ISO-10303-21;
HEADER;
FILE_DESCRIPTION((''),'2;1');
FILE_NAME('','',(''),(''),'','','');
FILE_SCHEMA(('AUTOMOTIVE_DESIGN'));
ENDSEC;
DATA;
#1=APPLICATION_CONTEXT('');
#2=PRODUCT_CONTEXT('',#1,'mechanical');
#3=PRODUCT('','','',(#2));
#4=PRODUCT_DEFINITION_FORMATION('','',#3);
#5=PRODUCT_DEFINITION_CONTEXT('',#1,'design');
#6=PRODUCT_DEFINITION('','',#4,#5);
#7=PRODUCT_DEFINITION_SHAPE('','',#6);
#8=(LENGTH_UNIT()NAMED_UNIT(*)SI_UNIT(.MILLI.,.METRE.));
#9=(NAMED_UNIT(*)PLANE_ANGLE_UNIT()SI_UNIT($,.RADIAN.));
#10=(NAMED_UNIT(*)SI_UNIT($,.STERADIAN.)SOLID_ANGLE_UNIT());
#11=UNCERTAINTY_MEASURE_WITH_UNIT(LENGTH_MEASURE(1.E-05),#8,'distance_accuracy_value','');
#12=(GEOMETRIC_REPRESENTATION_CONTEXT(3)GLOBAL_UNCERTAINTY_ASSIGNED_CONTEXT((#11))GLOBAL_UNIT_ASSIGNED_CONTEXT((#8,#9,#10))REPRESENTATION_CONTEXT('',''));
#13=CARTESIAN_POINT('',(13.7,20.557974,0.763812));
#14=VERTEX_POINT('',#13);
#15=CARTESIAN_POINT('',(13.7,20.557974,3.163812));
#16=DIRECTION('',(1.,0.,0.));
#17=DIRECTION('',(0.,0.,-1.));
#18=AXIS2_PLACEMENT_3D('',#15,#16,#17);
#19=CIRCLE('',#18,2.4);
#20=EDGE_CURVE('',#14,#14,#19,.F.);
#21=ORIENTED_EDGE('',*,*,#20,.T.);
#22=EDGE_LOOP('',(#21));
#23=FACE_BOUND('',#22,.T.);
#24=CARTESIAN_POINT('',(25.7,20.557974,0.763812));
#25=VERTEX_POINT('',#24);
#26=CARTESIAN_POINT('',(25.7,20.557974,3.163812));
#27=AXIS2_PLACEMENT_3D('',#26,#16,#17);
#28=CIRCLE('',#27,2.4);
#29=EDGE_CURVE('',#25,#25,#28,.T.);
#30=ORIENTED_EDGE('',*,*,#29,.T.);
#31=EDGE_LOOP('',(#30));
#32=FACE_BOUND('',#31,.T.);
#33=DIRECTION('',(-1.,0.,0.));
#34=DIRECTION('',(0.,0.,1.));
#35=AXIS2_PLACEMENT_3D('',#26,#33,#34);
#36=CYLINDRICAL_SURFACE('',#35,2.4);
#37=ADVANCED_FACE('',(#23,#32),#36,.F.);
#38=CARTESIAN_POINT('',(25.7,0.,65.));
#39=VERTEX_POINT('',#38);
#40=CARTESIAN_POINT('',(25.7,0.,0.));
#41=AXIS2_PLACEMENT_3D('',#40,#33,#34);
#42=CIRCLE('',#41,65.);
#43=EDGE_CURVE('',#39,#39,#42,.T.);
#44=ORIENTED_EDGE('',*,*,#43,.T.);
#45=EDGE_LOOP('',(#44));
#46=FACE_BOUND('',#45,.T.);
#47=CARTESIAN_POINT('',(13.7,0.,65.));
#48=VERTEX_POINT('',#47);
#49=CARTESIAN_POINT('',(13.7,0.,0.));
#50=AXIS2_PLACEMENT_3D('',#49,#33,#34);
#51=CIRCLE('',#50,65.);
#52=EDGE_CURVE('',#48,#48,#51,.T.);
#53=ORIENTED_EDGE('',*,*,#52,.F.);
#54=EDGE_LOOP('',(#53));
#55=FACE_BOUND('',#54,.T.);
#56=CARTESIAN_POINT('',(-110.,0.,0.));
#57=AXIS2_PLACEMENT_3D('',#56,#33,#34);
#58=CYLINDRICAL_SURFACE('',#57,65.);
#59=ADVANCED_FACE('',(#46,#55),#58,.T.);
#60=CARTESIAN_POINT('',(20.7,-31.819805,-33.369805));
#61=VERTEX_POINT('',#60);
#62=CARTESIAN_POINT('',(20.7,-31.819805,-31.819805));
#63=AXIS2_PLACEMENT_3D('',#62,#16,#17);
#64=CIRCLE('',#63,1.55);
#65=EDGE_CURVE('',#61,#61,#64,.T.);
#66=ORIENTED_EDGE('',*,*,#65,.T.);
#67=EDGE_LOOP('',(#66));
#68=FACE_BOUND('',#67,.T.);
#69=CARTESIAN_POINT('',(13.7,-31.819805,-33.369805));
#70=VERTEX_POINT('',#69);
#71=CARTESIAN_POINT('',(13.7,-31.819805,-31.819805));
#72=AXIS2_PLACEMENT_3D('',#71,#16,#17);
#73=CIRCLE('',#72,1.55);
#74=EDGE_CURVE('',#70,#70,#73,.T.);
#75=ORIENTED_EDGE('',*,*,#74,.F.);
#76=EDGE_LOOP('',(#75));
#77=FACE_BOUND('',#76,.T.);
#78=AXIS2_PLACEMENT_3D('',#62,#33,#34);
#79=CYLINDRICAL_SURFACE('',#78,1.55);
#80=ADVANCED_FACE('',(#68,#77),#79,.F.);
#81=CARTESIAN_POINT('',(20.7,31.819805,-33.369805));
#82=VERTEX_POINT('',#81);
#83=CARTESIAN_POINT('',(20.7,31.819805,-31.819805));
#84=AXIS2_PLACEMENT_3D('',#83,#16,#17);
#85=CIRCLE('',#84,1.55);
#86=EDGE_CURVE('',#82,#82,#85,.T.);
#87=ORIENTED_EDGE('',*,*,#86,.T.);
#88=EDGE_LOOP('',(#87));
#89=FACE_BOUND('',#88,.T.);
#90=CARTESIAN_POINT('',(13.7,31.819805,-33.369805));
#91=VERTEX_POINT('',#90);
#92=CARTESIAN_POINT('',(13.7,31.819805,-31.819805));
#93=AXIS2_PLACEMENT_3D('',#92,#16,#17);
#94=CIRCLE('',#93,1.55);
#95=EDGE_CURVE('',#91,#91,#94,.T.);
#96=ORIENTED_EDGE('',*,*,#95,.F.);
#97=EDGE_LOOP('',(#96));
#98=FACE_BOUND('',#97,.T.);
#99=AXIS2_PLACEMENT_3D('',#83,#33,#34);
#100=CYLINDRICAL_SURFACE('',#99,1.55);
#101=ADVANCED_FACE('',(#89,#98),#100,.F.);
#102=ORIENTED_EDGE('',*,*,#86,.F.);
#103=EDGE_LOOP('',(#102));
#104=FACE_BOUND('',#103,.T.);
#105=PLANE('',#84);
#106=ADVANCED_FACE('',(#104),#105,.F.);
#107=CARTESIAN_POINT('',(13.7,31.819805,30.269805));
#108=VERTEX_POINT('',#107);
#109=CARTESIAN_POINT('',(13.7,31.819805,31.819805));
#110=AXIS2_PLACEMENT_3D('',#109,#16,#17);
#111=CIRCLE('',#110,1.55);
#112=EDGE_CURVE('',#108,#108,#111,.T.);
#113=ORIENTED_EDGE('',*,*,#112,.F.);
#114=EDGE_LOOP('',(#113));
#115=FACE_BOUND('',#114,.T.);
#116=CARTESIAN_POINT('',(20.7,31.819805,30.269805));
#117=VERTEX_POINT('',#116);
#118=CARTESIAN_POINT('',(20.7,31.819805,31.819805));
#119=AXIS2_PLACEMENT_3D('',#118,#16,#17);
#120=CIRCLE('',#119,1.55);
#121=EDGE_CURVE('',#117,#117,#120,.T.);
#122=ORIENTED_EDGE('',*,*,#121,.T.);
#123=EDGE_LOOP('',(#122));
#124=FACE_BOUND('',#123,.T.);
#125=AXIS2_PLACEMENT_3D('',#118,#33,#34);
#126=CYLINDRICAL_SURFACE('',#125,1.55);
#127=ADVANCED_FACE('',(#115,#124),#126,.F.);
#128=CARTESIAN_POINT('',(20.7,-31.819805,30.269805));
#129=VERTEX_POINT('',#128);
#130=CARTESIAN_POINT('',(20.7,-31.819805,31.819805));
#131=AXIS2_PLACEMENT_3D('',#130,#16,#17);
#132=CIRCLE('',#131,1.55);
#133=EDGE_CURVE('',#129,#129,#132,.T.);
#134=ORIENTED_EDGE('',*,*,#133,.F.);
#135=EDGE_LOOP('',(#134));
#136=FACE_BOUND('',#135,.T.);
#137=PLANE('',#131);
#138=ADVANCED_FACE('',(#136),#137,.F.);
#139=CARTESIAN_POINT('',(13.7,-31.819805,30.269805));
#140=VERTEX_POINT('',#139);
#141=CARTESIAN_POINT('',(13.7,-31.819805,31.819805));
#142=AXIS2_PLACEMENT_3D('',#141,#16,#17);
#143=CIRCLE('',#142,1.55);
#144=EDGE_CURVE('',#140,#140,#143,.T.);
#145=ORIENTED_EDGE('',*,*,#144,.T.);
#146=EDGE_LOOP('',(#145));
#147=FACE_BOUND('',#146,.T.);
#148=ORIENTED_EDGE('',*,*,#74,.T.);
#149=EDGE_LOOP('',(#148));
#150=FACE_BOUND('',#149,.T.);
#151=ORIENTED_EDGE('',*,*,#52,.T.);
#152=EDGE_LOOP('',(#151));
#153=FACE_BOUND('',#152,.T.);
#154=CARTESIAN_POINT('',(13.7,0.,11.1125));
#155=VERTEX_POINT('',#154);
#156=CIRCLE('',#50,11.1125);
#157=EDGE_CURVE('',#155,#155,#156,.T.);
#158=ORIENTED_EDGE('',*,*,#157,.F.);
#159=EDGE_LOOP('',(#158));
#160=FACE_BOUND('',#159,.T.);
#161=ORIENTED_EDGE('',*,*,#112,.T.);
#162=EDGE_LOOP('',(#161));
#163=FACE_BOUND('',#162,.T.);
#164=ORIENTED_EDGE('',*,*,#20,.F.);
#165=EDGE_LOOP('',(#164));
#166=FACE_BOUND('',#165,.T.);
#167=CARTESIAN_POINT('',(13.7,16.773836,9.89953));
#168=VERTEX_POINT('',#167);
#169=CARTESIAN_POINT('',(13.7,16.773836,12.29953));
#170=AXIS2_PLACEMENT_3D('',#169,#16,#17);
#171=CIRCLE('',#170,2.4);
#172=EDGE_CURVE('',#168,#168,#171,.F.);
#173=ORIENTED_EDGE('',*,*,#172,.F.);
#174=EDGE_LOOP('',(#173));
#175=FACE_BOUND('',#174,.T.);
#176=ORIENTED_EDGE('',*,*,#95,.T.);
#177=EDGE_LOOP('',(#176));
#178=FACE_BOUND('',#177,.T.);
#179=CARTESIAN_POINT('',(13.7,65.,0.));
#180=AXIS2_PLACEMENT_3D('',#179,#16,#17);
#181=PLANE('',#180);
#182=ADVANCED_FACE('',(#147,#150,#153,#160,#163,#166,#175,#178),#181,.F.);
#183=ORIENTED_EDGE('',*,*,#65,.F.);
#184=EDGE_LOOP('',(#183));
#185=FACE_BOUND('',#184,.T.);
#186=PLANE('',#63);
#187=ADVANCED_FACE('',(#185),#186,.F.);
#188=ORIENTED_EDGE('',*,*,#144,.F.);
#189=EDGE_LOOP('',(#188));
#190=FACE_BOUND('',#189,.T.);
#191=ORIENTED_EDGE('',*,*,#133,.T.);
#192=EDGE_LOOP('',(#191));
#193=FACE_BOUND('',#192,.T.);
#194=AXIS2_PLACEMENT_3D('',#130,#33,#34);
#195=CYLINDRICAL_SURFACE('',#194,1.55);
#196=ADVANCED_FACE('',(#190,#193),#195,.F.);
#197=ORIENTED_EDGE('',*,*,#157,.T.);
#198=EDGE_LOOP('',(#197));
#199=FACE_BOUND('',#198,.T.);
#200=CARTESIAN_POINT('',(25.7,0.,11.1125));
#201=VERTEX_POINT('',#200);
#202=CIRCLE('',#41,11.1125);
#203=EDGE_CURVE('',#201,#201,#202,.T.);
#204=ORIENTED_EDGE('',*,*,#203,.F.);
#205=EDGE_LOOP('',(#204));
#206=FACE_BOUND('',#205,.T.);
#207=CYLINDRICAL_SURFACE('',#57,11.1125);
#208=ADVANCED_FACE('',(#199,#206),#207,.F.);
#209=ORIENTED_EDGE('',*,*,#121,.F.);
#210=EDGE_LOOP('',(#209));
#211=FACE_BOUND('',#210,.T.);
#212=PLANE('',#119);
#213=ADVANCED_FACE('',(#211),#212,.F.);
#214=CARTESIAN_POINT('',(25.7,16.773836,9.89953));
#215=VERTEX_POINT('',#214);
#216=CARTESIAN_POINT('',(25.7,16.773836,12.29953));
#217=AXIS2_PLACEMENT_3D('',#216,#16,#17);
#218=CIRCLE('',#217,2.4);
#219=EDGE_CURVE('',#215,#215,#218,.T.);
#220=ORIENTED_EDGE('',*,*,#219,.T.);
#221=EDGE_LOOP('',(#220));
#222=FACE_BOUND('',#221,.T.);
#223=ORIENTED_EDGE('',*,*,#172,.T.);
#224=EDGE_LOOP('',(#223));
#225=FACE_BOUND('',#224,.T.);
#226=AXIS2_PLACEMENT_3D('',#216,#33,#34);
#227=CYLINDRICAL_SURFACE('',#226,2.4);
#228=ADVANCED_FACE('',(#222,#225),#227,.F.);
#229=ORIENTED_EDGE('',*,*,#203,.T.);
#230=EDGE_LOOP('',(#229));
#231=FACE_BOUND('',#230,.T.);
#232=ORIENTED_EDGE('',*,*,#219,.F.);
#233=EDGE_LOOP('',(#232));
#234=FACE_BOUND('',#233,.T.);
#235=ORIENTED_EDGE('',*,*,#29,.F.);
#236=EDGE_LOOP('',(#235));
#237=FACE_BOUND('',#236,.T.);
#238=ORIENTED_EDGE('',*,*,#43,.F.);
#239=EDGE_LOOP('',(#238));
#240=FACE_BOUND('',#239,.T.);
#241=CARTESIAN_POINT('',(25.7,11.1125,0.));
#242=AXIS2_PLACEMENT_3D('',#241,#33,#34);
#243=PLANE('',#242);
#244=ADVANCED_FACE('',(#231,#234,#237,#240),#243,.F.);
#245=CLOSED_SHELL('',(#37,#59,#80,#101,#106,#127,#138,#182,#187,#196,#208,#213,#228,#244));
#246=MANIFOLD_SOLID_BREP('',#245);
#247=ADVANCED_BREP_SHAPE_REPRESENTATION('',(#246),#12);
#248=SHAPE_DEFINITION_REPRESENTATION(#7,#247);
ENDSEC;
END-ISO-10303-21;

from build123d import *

# Parameters (mm, degrees)
AXIAL_PROFILE_MM_W     = 12
AXIAL_PROFILE_MM_H     = 53.8875
AXIAL_HOLES_DEPTH      = 96.448886845
AXIAL_HOLES_DEPTH_BACK = 96.448886845
SKETCH2_R              = 2.4
CUT_EXTRUDE2_START     = 13.7
SKETCH3_R              = 1.55
CUT_EXTRUDE2_DEPTH     = 7


with BuildPart() as part:
    # Axial profile (mm) → Full revolution (revolve)
    with BuildSketch(Plane.XY, mode=Mode.PRIVATE) as full_revolution_sk:
        with Locations((19.7, 38.05625)):
            Rectangle(AXIAL_PROFILE_MM_W, AXIAL_PROFILE_MM_H)
    revolve(full_revolution_sk.sketch.rotate(Axis((-110, 0, 0), (1, 0, 0)), 90), axis=Axis((-110, 0, 0), (1, 0, 0)))

    # Sketch2 → Axial holes (cut, two sides: drawn at the far end of the back side and taken through both)
    with BuildSketch(Plane(origin=(0, 0, 0), x_dir=(0, 0, -1), z_dir=(1, 0, 0)).offset(-AXIAL_HOLES_DEPTH_BACK)):
        with Locations((-3.163812264, 20.557973926)):
            Circle(SKETCH2_R)
        with Locations((-12.299529665, 16.773835877)):
            Circle(SKETCH2_R)
    extrude(amount=AXIAL_HOLES_DEPTH + AXIAL_HOLES_DEPTH_BACK, mode=Mode.SUBTRACT)

    # Sketch3 → Cut-Extrude2 (cut)
    with BuildSketch(Plane(origin=(0, 0, 0), x_dir=(0, 0, -1), z_dir=(1, 0, 0)).offset(CUT_EXTRUDE2_START)):
        with Locations((-31.819805153, 31.819805153)):
            Circle(SKETCH3_R)
        with Locations((-31.819805153, -31.819805153)):
            Circle(SKETCH3_R)
        with Locations((31.819805153, -31.819805153)):
            Circle(SKETCH3_R)
        with Locations((31.819805153, 31.819805153)):
            Circle(SKETCH3_R)
    extrude(amount=CUT_EXTRUDE2_DEPTH, mode=Mode.SUBTRACT)


solid = part.part
